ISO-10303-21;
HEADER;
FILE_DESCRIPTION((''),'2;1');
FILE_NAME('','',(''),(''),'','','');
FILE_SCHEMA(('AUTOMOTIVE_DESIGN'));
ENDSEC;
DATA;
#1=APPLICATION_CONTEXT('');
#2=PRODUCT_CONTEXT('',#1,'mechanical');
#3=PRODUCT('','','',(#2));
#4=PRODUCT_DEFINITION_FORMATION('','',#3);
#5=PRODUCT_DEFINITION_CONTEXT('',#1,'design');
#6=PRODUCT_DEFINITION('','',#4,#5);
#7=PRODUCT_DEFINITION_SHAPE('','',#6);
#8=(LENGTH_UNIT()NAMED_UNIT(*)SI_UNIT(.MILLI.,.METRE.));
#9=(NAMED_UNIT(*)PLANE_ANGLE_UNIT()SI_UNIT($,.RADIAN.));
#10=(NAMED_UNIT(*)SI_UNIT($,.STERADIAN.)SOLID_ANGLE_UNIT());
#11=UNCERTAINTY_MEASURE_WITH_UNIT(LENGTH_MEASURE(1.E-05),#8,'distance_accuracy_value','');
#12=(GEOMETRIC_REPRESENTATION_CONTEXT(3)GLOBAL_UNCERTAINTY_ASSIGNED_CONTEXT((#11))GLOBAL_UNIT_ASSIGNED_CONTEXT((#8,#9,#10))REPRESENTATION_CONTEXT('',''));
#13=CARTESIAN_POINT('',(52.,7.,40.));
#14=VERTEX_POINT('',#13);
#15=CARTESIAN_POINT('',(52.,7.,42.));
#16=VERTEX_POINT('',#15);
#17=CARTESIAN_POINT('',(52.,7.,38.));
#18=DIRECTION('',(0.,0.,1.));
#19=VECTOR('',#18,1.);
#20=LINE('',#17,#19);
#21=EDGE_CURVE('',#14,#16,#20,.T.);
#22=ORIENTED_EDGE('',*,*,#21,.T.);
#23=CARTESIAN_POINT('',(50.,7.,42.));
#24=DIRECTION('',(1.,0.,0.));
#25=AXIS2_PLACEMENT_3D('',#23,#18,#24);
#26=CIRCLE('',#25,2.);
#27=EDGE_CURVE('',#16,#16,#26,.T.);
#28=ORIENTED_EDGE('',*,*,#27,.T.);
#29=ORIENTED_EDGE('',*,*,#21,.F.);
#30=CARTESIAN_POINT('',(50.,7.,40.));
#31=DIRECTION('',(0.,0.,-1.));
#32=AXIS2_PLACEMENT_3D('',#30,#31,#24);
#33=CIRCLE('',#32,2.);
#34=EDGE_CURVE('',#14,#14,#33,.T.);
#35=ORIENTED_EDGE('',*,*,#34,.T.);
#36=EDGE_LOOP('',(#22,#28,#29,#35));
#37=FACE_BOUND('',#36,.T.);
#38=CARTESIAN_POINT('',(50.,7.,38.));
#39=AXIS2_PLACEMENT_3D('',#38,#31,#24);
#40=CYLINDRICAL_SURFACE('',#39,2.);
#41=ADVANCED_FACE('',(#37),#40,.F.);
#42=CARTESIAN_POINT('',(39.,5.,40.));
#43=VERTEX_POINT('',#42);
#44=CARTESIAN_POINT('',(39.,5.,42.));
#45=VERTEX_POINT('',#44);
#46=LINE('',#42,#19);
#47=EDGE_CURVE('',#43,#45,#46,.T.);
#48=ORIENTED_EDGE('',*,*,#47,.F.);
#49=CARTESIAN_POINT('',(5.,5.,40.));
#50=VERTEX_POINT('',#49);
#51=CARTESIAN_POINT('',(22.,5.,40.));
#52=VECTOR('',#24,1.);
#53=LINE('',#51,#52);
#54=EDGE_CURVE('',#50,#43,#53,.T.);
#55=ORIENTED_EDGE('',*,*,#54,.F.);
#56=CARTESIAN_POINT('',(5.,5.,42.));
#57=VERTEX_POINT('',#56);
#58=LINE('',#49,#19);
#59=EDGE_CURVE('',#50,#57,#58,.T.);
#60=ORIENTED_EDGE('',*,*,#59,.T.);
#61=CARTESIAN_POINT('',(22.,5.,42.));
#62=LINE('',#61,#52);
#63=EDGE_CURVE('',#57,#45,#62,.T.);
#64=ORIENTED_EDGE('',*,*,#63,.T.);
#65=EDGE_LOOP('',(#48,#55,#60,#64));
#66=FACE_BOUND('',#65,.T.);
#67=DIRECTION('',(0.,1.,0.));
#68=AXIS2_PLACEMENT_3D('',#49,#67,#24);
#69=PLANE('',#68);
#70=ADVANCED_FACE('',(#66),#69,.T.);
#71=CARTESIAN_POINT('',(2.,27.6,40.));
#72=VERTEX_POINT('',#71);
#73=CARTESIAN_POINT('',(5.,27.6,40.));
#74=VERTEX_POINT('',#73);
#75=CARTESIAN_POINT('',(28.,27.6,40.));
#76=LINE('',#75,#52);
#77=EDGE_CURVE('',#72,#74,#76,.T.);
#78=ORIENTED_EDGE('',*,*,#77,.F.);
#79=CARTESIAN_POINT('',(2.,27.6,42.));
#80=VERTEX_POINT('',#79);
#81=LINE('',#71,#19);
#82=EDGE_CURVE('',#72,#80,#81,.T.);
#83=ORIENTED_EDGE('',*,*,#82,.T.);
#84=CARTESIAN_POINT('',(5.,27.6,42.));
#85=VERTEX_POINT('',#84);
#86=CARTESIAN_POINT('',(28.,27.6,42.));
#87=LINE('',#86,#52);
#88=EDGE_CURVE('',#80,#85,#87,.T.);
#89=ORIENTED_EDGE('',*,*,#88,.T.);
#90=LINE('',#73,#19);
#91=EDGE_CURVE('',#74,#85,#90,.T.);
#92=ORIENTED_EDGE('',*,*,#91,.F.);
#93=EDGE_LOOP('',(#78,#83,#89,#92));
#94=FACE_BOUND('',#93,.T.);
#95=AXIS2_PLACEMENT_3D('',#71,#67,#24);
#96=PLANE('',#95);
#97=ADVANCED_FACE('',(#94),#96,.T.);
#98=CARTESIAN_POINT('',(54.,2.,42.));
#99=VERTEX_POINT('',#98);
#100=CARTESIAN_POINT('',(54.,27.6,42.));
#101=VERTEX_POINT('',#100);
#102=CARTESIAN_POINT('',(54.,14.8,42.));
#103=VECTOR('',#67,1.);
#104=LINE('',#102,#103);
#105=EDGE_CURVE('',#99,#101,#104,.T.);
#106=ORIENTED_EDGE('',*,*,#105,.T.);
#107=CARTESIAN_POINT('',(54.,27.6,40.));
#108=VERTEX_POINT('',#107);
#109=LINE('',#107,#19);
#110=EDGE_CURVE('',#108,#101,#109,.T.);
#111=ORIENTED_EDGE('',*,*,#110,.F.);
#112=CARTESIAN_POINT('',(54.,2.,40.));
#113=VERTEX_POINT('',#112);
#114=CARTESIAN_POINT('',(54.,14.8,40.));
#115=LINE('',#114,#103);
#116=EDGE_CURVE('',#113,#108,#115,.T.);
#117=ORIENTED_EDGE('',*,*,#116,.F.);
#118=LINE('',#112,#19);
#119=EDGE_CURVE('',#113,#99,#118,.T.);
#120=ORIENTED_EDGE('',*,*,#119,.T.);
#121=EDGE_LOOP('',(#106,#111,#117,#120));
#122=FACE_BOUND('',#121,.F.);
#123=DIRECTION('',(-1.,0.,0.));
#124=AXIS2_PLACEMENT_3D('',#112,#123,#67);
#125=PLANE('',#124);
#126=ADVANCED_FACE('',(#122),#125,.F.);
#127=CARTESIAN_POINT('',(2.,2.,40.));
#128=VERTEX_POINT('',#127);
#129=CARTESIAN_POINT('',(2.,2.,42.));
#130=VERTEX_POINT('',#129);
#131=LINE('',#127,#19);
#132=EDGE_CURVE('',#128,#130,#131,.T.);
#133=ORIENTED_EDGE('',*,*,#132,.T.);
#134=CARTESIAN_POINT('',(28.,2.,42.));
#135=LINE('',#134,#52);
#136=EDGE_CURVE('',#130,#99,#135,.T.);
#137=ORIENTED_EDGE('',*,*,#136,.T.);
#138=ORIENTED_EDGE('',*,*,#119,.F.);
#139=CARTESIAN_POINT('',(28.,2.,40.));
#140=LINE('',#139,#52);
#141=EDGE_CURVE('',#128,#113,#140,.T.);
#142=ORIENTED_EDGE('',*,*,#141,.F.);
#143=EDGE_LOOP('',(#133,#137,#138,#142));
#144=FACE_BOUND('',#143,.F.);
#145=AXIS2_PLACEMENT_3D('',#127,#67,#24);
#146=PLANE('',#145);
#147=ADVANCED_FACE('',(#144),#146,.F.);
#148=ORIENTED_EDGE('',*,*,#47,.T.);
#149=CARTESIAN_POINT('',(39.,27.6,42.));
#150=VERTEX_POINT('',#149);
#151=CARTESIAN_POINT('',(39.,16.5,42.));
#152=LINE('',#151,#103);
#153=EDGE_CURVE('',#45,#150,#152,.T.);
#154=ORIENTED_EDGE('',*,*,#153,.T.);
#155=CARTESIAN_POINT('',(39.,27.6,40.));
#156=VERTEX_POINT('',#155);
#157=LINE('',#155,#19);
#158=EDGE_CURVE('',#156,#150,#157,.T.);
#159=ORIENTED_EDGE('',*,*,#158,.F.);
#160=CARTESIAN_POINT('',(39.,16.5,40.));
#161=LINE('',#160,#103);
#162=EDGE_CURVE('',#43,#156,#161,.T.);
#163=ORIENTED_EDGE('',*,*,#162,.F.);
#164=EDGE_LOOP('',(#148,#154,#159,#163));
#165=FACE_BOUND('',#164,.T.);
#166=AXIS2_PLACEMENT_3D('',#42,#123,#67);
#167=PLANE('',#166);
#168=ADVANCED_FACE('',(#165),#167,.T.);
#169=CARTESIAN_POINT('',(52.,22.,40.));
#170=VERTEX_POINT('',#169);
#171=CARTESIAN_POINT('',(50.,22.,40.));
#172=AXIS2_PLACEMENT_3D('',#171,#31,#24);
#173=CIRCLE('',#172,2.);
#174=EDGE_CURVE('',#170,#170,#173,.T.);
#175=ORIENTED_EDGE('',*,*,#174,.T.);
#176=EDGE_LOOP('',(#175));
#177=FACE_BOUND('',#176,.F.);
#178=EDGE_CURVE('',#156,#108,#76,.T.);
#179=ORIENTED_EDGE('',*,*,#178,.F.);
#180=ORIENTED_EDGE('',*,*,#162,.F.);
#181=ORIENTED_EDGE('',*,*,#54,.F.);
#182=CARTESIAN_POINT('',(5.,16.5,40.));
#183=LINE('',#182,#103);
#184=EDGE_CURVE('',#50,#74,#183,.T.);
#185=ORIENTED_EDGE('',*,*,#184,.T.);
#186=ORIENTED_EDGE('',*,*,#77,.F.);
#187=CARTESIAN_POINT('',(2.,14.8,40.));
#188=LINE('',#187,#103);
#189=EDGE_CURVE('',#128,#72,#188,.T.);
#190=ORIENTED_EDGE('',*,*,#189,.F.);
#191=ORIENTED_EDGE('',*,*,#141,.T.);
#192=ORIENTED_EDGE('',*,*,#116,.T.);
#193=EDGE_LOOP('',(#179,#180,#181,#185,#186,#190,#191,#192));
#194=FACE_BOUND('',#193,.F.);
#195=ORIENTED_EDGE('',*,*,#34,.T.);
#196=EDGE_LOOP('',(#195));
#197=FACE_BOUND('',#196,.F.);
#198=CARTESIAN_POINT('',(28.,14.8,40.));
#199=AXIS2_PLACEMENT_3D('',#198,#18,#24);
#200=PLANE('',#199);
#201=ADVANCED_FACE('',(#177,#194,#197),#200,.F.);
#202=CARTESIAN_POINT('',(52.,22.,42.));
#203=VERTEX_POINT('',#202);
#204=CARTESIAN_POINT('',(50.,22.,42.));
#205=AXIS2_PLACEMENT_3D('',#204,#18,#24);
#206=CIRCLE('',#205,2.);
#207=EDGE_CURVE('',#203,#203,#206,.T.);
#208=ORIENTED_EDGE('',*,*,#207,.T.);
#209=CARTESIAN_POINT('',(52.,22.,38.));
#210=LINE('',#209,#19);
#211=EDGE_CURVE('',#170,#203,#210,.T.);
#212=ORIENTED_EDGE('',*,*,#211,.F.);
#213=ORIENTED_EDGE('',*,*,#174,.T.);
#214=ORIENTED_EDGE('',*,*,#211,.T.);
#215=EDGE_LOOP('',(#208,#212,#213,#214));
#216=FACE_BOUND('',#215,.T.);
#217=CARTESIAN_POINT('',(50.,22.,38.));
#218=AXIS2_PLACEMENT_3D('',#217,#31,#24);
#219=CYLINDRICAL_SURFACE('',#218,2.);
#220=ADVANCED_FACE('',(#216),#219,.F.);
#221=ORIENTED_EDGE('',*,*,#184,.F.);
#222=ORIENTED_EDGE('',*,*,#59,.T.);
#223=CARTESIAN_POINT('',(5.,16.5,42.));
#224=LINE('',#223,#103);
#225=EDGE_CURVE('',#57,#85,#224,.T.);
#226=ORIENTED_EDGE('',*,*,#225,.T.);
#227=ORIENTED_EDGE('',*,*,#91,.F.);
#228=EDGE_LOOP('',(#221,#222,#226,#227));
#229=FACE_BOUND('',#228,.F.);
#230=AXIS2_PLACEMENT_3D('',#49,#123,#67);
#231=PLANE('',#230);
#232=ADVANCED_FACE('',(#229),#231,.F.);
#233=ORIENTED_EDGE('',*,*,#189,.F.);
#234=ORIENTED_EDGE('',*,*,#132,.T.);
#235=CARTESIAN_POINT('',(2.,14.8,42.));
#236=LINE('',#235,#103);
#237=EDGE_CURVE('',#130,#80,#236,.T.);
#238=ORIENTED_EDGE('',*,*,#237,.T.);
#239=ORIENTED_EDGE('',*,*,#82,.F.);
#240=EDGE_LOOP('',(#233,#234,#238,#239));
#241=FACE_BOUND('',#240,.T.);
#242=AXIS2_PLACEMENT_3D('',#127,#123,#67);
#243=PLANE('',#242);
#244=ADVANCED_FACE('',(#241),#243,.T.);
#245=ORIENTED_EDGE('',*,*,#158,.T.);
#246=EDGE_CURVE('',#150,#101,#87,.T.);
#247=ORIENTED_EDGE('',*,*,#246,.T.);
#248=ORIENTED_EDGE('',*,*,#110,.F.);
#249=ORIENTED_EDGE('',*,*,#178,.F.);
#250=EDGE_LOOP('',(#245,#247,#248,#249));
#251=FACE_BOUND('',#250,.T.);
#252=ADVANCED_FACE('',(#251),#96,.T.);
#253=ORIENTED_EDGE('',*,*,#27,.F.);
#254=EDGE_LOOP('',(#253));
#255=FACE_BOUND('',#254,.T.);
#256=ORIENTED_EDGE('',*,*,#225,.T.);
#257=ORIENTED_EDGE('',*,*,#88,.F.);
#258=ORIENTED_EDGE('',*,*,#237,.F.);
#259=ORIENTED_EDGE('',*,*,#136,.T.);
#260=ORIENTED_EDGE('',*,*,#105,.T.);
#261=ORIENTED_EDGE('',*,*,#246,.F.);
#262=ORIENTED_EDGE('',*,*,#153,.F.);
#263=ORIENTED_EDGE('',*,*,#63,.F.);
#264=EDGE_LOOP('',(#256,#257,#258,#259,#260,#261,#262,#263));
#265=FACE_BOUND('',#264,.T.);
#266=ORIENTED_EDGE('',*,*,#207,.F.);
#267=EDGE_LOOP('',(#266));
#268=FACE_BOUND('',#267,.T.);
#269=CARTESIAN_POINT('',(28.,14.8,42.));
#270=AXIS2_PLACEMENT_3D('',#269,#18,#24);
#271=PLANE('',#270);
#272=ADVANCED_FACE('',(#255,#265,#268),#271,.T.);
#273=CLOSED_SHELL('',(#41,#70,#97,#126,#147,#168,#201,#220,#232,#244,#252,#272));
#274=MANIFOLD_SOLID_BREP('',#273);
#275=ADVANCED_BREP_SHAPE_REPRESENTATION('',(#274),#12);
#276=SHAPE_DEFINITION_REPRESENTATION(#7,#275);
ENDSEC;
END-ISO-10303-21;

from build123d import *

# Parameters (mm, degrees)
CYLINDER008_R     = 2
CYLINDER008_DEPTH = 4
CYLINDER015_R     = 2
CYLINDER015_DEPTH = 4
BOX006_W          = 34
BOX006_H          = 23
BOX006_DEPTH      = 2
BOX003_W          = 52
BOX003_H          = 25.6
BOX003_DEPTH      = 2


with BuildPart() as button_hole:
    # Cylinder008 → Cylinder008 (new body)
    with BuildSketch(Plane(origin=(50, 7, 38), x_dir=(1, 0, 0), z_dir=(0, 0, 1))):
        Circle(CYLINDER008_R)
    extrude(amount=CYLINDER008_DEPTH)


with BuildPart() as button_hole001:
    # Cylinder015 → Cylinder015 (new body)
    with BuildSketch(Plane(origin=(50, 22, 38), x_dir=(1, 0, 0), z_dir=(0, 0, 1))):
        Circle(CYLINDER015_R)
    extrude(amount=CYLINDER015_DEPTH)


with BuildPart() as fusion004:
    # Box006 → Box006 (new body)
    with BuildSketch(Plane(origin=(5, 5, 40), x_dir=(1, 0, 0), z_dir=(0, 0, 1))):
        with Locations((17, 11.5)):
            Rectangle(BOX006_W, BOX006_H)
    extrude(amount=BOX006_DEPTH)

    # Fusion004: union button_hole, button_hole001
    add(button_hole.part)
    add(button_hole001.part)


with BuildPart() as cover:
    # Box003 → Box003 (new body)
    with BuildSketch(Plane(origin=(2, 2, 40), x_dir=(1, 0, 0), z_dir=(0, 0, 1))):
        with Locations((26, 12.8)):
            Rectangle(BOX003_W, BOX003_H)
    extrude(amount=BOX003_DEPTH)

    # Cut: cut Fusion004
    add(fusion004.part, mode=Mode.SUBTRACT)


solid = cover.part
